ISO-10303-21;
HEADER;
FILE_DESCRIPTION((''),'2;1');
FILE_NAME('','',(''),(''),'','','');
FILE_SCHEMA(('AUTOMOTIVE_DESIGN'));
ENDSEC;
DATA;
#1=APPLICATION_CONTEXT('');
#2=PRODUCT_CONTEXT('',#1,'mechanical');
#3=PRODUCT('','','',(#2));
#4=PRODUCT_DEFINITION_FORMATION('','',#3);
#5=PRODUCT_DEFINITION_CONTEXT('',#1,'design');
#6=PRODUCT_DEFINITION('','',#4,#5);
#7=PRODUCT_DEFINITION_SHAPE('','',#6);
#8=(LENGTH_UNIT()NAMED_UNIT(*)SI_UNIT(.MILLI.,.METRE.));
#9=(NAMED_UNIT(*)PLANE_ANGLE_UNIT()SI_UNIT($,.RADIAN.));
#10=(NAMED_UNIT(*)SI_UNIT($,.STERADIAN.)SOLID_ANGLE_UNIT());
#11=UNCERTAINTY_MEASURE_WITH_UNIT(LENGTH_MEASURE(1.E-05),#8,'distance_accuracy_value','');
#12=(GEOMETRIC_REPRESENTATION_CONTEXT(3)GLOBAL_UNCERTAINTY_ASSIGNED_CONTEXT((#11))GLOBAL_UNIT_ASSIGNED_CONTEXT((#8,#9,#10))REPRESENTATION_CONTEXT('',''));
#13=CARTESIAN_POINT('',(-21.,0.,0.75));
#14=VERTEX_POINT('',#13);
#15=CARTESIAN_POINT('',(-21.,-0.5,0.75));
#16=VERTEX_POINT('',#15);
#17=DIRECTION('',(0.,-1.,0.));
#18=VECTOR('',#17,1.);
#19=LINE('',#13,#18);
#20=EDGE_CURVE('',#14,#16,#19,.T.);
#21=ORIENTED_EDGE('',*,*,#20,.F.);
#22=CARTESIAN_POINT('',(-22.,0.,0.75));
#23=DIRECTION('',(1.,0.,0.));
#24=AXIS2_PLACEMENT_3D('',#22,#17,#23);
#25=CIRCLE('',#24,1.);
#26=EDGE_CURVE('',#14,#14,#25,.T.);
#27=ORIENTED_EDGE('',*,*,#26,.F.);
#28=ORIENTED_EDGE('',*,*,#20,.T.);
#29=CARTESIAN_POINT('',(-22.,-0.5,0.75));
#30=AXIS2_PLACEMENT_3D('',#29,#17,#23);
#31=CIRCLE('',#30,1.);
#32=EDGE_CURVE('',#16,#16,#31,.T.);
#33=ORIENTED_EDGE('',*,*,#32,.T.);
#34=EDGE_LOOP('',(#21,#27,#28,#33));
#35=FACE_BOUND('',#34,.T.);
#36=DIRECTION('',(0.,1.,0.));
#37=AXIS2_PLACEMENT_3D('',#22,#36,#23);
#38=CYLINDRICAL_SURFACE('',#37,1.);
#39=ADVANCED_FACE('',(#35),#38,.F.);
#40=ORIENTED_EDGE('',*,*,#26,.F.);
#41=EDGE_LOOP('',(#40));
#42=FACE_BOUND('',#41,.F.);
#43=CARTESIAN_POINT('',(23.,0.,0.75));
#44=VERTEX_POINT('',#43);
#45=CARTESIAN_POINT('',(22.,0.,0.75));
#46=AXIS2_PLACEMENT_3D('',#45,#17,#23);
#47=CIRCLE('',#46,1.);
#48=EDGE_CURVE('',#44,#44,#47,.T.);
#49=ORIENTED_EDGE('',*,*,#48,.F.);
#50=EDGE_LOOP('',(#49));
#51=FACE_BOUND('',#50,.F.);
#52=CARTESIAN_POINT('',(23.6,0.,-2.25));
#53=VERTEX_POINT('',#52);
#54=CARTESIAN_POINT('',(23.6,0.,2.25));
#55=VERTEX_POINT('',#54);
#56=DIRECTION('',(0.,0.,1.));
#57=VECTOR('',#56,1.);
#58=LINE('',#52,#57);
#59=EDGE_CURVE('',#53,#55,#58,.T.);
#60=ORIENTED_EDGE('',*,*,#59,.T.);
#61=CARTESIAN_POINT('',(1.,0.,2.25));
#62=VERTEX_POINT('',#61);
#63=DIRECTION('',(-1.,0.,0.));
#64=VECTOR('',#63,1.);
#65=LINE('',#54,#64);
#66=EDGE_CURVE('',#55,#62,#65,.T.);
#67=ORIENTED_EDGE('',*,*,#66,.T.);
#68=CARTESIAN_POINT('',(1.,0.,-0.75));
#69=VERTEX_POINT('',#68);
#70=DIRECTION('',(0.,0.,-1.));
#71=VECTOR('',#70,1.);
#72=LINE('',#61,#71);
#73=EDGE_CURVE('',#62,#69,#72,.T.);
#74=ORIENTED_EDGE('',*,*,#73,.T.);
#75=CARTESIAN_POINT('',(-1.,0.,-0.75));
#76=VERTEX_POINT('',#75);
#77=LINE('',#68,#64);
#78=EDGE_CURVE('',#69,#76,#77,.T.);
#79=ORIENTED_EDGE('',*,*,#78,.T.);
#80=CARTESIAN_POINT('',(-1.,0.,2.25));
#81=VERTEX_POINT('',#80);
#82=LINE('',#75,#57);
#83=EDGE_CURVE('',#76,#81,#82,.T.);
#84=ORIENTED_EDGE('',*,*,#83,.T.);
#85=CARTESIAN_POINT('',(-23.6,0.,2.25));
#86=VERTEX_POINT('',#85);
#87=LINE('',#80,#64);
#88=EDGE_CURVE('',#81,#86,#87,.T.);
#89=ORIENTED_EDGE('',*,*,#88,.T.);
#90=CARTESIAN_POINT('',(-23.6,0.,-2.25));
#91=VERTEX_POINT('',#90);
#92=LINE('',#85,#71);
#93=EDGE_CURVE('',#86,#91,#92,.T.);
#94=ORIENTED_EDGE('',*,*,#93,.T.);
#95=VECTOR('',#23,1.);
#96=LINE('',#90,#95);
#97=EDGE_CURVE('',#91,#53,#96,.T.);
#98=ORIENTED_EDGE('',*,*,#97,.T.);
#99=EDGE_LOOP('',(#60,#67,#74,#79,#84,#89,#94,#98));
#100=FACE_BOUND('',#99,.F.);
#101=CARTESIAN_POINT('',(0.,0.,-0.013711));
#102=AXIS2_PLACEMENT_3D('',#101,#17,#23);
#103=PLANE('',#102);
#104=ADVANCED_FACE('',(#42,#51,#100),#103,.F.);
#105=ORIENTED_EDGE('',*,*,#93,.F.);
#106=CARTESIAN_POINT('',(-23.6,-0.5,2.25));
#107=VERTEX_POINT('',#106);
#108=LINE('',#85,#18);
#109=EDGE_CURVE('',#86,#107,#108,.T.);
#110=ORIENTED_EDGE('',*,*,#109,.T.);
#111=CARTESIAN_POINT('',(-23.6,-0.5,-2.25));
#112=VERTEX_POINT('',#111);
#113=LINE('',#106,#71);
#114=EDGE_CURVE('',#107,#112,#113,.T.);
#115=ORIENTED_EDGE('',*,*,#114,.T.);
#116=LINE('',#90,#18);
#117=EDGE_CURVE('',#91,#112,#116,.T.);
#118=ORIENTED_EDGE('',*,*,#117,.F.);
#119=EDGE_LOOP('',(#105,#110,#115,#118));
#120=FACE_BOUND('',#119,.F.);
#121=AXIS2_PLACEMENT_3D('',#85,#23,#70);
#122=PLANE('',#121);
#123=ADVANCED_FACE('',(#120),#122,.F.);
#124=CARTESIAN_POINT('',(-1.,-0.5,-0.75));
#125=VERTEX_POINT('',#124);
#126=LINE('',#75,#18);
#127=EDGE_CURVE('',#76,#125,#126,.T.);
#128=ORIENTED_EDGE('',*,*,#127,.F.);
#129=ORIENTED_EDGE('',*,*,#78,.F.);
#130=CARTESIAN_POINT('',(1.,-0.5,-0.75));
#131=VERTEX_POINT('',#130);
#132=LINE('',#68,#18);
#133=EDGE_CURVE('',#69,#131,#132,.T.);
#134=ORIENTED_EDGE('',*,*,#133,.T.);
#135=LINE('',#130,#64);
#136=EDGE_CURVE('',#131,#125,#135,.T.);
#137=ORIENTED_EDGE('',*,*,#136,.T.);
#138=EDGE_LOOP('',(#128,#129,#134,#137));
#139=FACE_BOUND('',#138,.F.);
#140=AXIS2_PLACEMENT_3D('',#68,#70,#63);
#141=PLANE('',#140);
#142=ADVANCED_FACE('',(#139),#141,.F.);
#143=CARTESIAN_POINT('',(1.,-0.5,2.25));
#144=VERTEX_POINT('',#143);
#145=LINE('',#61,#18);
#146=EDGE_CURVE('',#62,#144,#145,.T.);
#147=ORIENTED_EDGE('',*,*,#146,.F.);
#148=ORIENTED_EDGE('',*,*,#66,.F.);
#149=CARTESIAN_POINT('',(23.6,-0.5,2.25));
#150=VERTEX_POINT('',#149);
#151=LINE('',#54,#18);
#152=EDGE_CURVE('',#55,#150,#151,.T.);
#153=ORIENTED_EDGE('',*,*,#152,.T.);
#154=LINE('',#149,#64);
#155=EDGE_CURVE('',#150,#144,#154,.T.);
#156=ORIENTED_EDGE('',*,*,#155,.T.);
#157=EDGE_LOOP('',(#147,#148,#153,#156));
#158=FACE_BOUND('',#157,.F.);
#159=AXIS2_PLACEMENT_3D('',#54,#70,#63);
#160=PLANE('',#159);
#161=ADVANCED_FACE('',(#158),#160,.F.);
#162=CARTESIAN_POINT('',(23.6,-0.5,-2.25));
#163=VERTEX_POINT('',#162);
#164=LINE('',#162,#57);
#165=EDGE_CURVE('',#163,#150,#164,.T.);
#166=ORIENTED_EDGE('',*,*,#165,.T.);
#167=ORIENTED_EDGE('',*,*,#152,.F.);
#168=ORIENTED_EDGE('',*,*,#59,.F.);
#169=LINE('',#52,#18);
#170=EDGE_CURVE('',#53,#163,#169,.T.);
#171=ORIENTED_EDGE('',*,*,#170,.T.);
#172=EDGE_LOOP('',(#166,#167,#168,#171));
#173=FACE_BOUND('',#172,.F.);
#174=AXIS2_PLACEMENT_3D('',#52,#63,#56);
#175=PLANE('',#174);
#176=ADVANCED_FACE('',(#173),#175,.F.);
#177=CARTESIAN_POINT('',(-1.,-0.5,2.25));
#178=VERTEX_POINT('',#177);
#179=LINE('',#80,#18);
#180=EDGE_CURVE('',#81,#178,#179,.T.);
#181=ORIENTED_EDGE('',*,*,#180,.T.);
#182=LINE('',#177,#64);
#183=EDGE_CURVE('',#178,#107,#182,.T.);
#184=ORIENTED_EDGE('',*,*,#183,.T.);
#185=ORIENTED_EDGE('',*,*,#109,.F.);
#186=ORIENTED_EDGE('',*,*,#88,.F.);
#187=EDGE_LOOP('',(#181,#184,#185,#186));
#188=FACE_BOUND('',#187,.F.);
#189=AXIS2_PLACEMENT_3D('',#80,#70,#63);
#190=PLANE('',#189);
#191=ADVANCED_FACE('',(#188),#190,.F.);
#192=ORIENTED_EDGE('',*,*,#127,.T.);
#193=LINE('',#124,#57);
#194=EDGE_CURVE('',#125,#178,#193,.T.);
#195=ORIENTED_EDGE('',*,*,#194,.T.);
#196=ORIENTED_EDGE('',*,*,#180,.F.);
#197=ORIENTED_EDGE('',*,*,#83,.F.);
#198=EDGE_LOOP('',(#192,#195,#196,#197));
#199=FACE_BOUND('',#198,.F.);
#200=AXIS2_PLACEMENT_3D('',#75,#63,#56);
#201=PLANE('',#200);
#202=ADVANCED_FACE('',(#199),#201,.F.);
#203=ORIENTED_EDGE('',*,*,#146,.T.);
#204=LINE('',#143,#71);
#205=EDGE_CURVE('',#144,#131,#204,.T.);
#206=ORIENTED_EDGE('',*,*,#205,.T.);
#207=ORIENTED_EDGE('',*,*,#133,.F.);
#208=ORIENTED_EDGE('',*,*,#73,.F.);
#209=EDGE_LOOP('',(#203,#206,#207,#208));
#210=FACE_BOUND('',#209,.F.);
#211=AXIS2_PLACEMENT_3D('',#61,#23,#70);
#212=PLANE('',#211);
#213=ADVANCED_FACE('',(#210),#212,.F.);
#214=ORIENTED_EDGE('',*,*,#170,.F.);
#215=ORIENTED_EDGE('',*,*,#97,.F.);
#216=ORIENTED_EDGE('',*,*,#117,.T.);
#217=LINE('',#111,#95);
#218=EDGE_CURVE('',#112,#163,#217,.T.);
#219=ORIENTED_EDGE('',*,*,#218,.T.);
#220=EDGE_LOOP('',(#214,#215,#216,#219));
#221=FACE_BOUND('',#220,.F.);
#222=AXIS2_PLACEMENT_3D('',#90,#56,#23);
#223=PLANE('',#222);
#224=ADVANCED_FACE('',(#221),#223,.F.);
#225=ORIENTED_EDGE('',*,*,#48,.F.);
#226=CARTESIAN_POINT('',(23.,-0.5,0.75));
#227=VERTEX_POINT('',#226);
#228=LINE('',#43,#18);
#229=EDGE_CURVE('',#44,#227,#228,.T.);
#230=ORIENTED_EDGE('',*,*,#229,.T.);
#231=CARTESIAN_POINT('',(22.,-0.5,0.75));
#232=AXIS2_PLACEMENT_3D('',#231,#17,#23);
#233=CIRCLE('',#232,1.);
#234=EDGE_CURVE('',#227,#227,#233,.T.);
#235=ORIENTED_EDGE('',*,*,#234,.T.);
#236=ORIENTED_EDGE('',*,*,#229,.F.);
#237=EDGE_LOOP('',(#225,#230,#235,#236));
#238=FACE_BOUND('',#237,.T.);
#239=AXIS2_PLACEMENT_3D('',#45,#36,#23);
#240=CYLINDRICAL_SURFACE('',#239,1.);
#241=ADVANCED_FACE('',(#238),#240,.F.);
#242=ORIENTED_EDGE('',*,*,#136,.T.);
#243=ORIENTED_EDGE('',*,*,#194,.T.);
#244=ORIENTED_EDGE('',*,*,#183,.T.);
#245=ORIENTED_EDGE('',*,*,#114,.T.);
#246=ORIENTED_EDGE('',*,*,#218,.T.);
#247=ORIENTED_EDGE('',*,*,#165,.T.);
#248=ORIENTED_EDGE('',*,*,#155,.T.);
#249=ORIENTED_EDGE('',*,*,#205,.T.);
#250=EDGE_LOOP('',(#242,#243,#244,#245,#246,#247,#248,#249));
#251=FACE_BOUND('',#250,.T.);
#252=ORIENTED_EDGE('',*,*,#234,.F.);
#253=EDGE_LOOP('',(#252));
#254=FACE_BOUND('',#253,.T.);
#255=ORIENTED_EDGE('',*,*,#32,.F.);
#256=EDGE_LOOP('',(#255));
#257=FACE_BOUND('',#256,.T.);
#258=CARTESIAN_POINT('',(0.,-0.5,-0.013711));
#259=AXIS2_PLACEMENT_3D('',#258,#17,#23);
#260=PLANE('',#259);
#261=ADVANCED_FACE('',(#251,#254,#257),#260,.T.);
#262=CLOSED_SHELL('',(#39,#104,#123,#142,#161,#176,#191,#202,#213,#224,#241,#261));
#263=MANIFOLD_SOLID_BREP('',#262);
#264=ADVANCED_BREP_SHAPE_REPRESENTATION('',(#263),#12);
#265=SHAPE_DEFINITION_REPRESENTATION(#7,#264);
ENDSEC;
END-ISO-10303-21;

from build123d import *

# Parameters (mm, degrees)
F0_R     = 1
F1_DEPTH = 0.5


with BuildPart() as f1:
    # F0 (on Front) → F1 (new body)
    with BuildSketch(Plane.XZ):
        Polygon((-23.6, -2.25), (23.6, -2.25), (23.6, 2.25), (1, 2.25), (1, -0.75), (-1, -0.75), (-1, 2.25), (-23.6, 2.25), align=None)
        with Locations((-22, 0.75)):
            Circle(F0_R, mode=Mode.SUBTRACT)
        with Locations((22, 0.75)):
            Circle(F0_R, mode=Mode.SUBTRACT)
    extrude(amount=F1_DEPTH)


solid = f1.part
